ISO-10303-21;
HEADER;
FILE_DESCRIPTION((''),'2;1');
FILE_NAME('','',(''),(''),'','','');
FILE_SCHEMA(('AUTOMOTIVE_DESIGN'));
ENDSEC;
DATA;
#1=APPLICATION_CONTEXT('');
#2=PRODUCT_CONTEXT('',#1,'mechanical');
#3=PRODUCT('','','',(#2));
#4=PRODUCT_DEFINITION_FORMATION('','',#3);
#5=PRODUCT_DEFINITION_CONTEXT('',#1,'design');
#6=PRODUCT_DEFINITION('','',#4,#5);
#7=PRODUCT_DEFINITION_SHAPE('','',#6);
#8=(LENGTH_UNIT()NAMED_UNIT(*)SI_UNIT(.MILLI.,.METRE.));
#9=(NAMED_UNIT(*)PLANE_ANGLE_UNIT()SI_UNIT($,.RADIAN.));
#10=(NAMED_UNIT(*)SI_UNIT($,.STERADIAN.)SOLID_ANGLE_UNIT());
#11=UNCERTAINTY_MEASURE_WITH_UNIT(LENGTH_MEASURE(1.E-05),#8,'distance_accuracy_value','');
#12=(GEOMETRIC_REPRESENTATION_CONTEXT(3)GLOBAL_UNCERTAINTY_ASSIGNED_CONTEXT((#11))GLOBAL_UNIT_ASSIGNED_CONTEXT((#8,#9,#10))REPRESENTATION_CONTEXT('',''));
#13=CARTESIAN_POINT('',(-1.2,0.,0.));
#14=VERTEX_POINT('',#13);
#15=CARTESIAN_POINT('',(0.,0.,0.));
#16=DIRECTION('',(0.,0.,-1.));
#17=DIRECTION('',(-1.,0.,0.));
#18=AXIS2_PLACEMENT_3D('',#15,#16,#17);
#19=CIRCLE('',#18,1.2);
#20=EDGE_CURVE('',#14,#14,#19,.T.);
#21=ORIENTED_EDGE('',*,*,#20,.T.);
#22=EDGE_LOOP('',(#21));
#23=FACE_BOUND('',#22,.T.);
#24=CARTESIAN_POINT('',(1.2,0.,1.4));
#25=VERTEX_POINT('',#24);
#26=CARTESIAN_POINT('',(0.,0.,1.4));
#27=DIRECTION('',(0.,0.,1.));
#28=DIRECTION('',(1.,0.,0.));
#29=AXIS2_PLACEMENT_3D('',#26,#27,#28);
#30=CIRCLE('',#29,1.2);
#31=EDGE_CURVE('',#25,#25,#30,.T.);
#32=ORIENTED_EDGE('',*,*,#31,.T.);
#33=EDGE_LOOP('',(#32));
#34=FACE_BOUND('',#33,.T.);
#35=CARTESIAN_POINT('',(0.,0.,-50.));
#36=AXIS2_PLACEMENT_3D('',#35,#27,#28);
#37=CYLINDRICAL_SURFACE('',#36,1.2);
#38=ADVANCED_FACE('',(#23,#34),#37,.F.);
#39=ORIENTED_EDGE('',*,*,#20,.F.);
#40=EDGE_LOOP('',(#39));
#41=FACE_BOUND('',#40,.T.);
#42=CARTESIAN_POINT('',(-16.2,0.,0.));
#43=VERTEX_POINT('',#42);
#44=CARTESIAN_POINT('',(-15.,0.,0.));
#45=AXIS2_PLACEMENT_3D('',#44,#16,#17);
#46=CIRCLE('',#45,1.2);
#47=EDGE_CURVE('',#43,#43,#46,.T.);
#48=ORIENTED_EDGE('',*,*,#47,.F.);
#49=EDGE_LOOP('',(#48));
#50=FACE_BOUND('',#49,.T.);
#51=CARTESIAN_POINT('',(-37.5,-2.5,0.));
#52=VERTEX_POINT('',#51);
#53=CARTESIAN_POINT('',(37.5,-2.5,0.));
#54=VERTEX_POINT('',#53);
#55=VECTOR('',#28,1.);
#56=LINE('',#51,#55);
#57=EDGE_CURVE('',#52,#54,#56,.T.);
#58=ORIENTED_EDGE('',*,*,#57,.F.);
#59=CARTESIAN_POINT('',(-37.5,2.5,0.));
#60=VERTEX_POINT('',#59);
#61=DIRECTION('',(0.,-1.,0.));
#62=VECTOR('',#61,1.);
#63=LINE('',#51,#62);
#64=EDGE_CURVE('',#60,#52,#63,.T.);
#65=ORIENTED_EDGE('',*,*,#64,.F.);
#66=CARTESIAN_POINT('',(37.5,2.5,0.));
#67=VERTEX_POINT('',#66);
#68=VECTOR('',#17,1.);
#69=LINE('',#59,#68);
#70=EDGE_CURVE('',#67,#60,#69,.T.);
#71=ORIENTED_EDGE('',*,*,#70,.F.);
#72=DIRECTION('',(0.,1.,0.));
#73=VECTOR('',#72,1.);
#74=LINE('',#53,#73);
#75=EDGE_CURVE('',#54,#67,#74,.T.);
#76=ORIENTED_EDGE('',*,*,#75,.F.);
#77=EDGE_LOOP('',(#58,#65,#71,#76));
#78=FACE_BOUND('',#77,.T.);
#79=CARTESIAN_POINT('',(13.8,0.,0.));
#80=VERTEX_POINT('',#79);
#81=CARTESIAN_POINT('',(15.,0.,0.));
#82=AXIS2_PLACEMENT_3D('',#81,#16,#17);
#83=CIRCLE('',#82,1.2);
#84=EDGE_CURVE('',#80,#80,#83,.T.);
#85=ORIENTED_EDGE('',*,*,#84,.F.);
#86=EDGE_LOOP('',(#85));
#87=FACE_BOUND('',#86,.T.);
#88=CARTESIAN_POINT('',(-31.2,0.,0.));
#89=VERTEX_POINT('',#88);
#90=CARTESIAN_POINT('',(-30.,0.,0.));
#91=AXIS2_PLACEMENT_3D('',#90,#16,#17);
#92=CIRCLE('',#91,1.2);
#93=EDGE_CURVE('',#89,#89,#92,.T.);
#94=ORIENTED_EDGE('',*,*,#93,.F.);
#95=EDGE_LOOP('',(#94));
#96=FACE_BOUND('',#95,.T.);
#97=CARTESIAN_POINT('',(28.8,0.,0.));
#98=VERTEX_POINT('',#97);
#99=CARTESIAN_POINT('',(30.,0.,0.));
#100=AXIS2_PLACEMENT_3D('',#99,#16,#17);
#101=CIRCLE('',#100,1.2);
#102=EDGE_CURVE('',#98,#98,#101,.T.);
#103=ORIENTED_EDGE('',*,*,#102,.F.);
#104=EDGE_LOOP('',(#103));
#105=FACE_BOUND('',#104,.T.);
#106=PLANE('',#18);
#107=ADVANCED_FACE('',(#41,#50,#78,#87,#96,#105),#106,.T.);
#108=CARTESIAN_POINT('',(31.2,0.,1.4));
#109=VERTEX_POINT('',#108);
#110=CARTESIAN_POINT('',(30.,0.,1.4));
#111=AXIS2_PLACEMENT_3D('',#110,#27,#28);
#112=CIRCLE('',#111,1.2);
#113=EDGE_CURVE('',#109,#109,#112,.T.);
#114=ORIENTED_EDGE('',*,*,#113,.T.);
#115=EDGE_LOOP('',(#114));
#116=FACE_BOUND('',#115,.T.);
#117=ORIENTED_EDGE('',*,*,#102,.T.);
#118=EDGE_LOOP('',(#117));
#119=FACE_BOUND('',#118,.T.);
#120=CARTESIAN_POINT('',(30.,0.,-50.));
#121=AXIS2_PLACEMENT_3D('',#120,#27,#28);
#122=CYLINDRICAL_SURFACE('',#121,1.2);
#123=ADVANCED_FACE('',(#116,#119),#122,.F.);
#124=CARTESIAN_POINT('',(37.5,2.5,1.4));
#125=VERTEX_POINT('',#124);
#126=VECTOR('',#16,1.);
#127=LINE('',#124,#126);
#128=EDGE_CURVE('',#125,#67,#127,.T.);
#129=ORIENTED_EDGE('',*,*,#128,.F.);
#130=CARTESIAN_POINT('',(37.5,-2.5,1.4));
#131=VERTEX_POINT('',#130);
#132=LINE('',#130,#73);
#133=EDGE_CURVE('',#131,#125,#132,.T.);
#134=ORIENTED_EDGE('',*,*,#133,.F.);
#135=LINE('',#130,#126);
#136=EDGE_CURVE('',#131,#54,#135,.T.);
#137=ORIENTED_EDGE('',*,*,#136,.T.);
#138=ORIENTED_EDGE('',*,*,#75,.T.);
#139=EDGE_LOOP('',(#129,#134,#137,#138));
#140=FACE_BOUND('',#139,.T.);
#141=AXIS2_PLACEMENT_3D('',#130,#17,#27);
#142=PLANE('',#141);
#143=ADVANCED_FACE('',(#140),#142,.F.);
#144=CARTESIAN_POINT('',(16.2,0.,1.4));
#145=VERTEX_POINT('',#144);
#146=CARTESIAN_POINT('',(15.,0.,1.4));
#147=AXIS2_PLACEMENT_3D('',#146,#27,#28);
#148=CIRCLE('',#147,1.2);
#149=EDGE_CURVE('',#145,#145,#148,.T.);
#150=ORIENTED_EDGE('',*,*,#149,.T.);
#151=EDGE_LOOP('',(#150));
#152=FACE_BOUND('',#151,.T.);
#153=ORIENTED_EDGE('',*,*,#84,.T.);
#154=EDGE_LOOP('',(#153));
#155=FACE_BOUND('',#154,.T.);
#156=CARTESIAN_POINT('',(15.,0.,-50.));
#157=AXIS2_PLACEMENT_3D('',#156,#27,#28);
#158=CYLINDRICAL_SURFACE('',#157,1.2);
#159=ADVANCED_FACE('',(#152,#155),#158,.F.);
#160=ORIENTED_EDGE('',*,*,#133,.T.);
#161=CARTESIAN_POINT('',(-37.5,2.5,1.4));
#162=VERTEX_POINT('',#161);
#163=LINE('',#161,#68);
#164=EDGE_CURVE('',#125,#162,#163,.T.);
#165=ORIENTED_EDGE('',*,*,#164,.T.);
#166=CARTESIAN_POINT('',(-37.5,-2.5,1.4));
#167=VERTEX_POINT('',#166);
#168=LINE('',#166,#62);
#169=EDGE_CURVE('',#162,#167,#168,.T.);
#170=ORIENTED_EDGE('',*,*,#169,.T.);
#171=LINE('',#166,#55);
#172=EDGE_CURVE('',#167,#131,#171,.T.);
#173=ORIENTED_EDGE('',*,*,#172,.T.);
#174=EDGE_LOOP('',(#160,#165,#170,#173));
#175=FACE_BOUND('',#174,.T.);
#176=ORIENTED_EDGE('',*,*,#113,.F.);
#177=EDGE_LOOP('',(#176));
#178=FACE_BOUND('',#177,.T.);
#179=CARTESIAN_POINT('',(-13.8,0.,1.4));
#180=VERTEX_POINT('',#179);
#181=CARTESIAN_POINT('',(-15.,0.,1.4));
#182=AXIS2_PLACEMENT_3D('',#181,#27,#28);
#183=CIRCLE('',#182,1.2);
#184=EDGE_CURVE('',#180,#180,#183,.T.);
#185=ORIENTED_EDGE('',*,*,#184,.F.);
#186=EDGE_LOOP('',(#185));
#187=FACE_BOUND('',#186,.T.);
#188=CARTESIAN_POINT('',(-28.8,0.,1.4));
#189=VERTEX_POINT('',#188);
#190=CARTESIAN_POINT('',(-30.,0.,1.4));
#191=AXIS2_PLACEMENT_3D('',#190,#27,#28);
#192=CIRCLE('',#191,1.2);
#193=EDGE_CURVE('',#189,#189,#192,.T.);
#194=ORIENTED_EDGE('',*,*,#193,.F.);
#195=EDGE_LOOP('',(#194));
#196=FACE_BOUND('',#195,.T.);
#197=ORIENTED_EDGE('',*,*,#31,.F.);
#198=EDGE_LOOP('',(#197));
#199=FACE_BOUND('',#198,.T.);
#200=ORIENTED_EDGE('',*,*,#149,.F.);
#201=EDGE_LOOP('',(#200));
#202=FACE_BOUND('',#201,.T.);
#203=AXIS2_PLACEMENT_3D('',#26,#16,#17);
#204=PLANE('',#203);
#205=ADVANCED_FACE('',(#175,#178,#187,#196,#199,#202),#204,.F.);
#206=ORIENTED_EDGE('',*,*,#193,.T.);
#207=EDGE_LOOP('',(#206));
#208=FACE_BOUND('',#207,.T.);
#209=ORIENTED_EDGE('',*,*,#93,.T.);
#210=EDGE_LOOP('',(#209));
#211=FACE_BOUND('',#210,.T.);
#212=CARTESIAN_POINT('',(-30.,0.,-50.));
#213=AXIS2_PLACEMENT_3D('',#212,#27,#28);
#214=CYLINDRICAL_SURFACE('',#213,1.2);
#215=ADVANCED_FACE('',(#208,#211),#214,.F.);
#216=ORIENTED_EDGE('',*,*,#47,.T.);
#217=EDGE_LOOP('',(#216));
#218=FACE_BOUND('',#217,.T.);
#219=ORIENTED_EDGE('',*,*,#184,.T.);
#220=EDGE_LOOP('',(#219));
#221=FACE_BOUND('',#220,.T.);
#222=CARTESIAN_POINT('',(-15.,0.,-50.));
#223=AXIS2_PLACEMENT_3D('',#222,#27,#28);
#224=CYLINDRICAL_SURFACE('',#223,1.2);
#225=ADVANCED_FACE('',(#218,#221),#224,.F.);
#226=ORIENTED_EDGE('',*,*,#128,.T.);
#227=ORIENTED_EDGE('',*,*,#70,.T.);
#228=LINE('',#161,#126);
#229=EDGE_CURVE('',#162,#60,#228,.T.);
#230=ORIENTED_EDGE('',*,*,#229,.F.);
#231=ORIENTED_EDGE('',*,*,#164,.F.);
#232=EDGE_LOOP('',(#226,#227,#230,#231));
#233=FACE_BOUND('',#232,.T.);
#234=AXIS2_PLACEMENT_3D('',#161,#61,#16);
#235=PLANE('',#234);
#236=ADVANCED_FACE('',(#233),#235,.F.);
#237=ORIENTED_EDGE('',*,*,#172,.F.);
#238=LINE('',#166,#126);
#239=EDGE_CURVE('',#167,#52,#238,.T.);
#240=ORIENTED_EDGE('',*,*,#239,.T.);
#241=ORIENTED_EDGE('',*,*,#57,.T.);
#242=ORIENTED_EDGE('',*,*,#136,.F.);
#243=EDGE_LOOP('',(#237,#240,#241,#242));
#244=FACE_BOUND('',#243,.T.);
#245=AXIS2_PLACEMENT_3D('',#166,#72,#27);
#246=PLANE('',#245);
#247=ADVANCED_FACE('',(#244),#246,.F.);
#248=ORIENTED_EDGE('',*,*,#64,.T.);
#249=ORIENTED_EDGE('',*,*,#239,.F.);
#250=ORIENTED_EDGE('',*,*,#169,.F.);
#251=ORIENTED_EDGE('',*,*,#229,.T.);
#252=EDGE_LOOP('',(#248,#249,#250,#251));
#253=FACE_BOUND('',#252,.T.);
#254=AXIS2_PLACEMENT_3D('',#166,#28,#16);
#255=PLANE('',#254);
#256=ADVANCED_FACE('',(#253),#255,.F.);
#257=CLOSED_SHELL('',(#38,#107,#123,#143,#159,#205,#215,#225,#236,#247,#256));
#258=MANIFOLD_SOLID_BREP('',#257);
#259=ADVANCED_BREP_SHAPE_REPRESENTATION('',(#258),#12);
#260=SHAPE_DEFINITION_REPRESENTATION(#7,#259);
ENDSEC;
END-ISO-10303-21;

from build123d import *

# Parameters (mm, degrees)
SKETCH_1_W          = 75
SKETCH_1_H          = 5
EXTRUDE_1_DEPTH     = 1.4
SKETCH_2_R          = 1.2
CUT_EXTRUDE_1_DEPTH = 51.4


with BuildPart() as part:
    # 草图1 → 凸台-拉伸1 (new body)
    with BuildSketch(Plane.XY):
        Rectangle(SKETCH_1_W, SKETCH_1_H)
    extrude(amount=EXTRUDE_1_DEPTH)

    # 草图2 → 切除-拉伸1 (cut)
    with BuildSketch(Plane.XY.offset(1.4)):
        with Locations((-30, 0)):
            Circle(SKETCH_2_R)
        with Locations((-15, 0)):
            Circle(SKETCH_2_R)
        Circle(SKETCH_2_R)
        with Locations((15, 0)):
            Circle(SKETCH_2_R)
        with Locations((30, 0)):
            Circle(SKETCH_2_R)
    extrude(amount=-CUT_EXTRUDE_1_DEPTH, mode=Mode.SUBTRACT)


solid = part.part
